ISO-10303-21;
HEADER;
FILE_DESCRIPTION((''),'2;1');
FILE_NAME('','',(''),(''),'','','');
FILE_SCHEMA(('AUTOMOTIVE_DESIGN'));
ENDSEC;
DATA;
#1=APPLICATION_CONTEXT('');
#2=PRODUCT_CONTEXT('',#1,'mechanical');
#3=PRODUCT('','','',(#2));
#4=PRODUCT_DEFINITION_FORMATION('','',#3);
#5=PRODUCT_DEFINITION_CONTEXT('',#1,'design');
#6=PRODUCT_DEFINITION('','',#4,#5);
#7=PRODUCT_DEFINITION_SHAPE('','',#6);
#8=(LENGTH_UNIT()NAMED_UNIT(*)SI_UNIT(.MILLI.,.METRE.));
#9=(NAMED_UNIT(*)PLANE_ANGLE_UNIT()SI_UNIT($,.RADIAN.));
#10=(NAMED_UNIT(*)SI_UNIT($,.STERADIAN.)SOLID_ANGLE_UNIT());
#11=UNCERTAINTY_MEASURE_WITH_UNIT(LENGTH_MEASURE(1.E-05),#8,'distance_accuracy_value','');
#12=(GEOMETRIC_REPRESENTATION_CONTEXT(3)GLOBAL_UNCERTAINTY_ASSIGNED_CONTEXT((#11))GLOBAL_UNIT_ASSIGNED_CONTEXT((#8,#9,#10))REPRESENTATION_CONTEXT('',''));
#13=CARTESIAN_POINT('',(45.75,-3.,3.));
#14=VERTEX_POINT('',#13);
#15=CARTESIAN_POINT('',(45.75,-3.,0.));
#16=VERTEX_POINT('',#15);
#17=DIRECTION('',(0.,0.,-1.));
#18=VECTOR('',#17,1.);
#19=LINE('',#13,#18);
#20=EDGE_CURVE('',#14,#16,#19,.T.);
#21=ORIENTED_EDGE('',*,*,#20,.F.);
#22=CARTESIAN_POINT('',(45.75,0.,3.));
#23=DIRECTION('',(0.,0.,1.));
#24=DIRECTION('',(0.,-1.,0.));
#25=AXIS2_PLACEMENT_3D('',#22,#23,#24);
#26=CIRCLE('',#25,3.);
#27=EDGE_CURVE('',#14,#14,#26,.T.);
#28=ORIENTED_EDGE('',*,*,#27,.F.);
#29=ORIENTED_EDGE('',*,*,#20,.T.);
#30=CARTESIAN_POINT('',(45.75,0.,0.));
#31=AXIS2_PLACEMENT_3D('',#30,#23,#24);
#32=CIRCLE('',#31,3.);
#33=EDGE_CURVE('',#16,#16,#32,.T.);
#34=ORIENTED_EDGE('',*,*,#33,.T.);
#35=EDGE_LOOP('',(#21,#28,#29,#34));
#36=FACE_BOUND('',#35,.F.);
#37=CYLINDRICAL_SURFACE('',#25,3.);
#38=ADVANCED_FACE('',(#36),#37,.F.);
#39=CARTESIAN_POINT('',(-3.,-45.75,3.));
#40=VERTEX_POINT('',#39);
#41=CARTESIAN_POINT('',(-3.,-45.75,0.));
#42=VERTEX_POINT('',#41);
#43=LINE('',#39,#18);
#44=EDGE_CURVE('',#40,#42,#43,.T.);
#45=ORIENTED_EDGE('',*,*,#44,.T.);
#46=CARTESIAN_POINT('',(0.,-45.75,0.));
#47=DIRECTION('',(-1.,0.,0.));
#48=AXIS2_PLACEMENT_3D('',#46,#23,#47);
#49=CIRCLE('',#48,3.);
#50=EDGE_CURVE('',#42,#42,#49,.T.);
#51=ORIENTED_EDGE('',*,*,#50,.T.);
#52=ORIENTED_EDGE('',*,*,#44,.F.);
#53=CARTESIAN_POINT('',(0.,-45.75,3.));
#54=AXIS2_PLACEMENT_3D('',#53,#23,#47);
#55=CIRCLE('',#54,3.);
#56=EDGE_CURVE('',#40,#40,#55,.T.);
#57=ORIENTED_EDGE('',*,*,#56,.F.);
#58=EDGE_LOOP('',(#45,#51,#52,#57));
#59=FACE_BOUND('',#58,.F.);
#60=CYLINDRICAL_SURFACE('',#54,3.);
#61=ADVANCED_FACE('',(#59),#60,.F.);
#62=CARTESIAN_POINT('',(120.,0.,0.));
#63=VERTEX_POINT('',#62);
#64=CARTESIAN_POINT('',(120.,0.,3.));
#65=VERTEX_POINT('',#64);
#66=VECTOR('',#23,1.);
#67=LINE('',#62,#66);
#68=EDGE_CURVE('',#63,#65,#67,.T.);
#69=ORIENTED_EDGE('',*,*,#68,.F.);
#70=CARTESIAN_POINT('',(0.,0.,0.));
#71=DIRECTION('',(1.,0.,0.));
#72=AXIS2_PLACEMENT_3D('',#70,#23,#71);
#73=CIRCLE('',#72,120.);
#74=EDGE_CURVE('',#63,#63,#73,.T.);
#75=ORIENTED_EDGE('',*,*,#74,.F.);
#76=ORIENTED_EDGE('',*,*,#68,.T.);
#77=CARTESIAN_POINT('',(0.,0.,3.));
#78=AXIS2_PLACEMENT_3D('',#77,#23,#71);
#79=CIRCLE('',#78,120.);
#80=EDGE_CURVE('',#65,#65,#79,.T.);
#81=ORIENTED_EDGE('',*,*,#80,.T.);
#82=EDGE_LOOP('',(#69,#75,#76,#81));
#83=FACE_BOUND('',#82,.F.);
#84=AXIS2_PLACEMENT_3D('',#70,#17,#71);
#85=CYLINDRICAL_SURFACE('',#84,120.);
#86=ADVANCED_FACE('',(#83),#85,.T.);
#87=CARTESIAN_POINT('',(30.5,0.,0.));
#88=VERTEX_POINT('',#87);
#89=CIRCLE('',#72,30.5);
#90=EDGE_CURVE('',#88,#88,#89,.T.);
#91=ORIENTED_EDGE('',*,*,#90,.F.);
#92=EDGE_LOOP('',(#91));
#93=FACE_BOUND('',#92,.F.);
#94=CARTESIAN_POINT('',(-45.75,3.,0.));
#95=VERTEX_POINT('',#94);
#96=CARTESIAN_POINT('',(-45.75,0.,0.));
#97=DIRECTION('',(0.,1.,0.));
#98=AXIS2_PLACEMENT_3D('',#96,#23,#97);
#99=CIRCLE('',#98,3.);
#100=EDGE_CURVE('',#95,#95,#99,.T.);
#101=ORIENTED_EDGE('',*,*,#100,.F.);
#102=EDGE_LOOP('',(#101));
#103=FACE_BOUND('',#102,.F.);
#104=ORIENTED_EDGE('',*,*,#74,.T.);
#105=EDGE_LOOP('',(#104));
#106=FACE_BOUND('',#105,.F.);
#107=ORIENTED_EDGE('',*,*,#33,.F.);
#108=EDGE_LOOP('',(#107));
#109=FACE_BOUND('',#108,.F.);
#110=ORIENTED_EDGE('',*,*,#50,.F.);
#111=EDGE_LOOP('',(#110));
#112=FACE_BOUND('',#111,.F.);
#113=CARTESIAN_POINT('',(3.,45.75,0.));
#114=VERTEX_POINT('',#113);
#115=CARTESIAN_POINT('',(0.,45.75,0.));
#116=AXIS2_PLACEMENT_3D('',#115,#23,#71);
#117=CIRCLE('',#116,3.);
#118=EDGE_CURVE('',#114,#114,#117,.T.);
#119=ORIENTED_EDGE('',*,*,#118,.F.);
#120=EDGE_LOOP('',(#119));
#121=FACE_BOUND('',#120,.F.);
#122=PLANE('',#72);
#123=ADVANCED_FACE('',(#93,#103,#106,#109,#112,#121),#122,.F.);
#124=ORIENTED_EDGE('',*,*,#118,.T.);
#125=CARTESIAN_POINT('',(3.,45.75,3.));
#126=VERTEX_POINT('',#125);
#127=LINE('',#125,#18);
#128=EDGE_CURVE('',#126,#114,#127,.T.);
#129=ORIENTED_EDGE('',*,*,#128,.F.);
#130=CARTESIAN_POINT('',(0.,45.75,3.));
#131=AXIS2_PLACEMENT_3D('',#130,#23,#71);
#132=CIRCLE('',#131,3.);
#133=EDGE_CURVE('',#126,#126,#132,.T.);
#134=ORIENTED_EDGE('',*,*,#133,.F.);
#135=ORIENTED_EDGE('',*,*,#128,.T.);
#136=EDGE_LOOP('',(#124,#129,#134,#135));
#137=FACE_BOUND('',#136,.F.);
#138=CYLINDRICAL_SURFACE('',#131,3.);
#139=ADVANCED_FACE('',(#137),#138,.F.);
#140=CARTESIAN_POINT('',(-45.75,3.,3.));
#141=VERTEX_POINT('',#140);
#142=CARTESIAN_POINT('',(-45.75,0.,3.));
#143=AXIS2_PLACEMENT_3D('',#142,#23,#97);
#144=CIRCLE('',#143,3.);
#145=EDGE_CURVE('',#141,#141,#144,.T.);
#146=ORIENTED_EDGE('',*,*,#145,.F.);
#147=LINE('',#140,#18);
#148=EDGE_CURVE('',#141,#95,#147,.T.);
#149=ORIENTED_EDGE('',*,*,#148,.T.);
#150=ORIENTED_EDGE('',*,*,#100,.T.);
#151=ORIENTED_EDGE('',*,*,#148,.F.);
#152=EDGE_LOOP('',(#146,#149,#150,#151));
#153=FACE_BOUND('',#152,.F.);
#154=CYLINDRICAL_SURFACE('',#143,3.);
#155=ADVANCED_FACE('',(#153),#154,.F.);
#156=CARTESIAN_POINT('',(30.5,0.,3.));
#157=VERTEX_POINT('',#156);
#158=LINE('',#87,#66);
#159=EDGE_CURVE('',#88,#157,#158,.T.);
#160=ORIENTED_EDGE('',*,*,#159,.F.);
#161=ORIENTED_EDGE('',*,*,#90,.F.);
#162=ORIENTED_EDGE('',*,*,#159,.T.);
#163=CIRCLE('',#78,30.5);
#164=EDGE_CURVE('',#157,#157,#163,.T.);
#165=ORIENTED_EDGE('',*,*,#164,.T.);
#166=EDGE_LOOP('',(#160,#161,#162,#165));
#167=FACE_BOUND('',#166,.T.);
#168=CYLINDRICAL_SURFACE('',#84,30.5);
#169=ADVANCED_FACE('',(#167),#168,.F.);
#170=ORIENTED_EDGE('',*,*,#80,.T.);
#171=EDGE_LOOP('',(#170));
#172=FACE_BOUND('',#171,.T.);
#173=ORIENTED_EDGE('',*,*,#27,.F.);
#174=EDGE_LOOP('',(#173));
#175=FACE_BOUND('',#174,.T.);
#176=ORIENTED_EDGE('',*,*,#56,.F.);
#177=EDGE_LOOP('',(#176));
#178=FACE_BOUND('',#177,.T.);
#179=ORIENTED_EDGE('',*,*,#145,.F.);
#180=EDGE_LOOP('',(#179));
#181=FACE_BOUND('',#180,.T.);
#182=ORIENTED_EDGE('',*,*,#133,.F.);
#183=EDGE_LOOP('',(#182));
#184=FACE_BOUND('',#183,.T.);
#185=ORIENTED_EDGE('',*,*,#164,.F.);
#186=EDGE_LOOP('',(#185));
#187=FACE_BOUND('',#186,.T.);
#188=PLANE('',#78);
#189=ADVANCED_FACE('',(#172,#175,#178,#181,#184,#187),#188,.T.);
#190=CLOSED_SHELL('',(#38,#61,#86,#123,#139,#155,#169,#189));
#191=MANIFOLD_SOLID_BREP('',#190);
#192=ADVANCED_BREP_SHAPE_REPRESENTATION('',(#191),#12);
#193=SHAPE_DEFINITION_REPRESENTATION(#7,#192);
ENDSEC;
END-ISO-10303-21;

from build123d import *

# Parameters (mm, degrees)
SKETCH_R           = 120
SKETCH_R_2         = 30.5
PAD_DEPTH          = 3
SKETCH001_R        = 3
POCKET_DEPTH       = 681.850026
POLARPATTERN_COUNT = 4


with BuildPart() as part:
    # Sketch → Pad (new body)
    with BuildSketch(Plane.XY):
        Circle(SKETCH_R)
        Circle(SKETCH_R_2, mode=Mode.SUBTRACT)
    extrude(amount=PAD_DEPTH)

    # Sketch001 (on Face4 of Pad) → Pocket (cut, through all)
    with BuildSketch(Plane.XY.offset(3)):
        with Locations((0, 45.75)):
            Circle(SKETCH001_R)
    pocket = extrude(amount=-POCKET_DEPTH, mode=Mode.SUBTRACT)

    # PolarPattern: Pocket ×4 about axis
    polarpattern_axis = Axis((0, 0, 3), (0, 0, 1))
    for i in range(1, POLARPATTERN_COUNT):
        add(pocket.rotate(polarpattern_axis, i * 360 / POLARPATTERN_COUNT), mode=Mode.SUBTRACT)


solid = part.part
